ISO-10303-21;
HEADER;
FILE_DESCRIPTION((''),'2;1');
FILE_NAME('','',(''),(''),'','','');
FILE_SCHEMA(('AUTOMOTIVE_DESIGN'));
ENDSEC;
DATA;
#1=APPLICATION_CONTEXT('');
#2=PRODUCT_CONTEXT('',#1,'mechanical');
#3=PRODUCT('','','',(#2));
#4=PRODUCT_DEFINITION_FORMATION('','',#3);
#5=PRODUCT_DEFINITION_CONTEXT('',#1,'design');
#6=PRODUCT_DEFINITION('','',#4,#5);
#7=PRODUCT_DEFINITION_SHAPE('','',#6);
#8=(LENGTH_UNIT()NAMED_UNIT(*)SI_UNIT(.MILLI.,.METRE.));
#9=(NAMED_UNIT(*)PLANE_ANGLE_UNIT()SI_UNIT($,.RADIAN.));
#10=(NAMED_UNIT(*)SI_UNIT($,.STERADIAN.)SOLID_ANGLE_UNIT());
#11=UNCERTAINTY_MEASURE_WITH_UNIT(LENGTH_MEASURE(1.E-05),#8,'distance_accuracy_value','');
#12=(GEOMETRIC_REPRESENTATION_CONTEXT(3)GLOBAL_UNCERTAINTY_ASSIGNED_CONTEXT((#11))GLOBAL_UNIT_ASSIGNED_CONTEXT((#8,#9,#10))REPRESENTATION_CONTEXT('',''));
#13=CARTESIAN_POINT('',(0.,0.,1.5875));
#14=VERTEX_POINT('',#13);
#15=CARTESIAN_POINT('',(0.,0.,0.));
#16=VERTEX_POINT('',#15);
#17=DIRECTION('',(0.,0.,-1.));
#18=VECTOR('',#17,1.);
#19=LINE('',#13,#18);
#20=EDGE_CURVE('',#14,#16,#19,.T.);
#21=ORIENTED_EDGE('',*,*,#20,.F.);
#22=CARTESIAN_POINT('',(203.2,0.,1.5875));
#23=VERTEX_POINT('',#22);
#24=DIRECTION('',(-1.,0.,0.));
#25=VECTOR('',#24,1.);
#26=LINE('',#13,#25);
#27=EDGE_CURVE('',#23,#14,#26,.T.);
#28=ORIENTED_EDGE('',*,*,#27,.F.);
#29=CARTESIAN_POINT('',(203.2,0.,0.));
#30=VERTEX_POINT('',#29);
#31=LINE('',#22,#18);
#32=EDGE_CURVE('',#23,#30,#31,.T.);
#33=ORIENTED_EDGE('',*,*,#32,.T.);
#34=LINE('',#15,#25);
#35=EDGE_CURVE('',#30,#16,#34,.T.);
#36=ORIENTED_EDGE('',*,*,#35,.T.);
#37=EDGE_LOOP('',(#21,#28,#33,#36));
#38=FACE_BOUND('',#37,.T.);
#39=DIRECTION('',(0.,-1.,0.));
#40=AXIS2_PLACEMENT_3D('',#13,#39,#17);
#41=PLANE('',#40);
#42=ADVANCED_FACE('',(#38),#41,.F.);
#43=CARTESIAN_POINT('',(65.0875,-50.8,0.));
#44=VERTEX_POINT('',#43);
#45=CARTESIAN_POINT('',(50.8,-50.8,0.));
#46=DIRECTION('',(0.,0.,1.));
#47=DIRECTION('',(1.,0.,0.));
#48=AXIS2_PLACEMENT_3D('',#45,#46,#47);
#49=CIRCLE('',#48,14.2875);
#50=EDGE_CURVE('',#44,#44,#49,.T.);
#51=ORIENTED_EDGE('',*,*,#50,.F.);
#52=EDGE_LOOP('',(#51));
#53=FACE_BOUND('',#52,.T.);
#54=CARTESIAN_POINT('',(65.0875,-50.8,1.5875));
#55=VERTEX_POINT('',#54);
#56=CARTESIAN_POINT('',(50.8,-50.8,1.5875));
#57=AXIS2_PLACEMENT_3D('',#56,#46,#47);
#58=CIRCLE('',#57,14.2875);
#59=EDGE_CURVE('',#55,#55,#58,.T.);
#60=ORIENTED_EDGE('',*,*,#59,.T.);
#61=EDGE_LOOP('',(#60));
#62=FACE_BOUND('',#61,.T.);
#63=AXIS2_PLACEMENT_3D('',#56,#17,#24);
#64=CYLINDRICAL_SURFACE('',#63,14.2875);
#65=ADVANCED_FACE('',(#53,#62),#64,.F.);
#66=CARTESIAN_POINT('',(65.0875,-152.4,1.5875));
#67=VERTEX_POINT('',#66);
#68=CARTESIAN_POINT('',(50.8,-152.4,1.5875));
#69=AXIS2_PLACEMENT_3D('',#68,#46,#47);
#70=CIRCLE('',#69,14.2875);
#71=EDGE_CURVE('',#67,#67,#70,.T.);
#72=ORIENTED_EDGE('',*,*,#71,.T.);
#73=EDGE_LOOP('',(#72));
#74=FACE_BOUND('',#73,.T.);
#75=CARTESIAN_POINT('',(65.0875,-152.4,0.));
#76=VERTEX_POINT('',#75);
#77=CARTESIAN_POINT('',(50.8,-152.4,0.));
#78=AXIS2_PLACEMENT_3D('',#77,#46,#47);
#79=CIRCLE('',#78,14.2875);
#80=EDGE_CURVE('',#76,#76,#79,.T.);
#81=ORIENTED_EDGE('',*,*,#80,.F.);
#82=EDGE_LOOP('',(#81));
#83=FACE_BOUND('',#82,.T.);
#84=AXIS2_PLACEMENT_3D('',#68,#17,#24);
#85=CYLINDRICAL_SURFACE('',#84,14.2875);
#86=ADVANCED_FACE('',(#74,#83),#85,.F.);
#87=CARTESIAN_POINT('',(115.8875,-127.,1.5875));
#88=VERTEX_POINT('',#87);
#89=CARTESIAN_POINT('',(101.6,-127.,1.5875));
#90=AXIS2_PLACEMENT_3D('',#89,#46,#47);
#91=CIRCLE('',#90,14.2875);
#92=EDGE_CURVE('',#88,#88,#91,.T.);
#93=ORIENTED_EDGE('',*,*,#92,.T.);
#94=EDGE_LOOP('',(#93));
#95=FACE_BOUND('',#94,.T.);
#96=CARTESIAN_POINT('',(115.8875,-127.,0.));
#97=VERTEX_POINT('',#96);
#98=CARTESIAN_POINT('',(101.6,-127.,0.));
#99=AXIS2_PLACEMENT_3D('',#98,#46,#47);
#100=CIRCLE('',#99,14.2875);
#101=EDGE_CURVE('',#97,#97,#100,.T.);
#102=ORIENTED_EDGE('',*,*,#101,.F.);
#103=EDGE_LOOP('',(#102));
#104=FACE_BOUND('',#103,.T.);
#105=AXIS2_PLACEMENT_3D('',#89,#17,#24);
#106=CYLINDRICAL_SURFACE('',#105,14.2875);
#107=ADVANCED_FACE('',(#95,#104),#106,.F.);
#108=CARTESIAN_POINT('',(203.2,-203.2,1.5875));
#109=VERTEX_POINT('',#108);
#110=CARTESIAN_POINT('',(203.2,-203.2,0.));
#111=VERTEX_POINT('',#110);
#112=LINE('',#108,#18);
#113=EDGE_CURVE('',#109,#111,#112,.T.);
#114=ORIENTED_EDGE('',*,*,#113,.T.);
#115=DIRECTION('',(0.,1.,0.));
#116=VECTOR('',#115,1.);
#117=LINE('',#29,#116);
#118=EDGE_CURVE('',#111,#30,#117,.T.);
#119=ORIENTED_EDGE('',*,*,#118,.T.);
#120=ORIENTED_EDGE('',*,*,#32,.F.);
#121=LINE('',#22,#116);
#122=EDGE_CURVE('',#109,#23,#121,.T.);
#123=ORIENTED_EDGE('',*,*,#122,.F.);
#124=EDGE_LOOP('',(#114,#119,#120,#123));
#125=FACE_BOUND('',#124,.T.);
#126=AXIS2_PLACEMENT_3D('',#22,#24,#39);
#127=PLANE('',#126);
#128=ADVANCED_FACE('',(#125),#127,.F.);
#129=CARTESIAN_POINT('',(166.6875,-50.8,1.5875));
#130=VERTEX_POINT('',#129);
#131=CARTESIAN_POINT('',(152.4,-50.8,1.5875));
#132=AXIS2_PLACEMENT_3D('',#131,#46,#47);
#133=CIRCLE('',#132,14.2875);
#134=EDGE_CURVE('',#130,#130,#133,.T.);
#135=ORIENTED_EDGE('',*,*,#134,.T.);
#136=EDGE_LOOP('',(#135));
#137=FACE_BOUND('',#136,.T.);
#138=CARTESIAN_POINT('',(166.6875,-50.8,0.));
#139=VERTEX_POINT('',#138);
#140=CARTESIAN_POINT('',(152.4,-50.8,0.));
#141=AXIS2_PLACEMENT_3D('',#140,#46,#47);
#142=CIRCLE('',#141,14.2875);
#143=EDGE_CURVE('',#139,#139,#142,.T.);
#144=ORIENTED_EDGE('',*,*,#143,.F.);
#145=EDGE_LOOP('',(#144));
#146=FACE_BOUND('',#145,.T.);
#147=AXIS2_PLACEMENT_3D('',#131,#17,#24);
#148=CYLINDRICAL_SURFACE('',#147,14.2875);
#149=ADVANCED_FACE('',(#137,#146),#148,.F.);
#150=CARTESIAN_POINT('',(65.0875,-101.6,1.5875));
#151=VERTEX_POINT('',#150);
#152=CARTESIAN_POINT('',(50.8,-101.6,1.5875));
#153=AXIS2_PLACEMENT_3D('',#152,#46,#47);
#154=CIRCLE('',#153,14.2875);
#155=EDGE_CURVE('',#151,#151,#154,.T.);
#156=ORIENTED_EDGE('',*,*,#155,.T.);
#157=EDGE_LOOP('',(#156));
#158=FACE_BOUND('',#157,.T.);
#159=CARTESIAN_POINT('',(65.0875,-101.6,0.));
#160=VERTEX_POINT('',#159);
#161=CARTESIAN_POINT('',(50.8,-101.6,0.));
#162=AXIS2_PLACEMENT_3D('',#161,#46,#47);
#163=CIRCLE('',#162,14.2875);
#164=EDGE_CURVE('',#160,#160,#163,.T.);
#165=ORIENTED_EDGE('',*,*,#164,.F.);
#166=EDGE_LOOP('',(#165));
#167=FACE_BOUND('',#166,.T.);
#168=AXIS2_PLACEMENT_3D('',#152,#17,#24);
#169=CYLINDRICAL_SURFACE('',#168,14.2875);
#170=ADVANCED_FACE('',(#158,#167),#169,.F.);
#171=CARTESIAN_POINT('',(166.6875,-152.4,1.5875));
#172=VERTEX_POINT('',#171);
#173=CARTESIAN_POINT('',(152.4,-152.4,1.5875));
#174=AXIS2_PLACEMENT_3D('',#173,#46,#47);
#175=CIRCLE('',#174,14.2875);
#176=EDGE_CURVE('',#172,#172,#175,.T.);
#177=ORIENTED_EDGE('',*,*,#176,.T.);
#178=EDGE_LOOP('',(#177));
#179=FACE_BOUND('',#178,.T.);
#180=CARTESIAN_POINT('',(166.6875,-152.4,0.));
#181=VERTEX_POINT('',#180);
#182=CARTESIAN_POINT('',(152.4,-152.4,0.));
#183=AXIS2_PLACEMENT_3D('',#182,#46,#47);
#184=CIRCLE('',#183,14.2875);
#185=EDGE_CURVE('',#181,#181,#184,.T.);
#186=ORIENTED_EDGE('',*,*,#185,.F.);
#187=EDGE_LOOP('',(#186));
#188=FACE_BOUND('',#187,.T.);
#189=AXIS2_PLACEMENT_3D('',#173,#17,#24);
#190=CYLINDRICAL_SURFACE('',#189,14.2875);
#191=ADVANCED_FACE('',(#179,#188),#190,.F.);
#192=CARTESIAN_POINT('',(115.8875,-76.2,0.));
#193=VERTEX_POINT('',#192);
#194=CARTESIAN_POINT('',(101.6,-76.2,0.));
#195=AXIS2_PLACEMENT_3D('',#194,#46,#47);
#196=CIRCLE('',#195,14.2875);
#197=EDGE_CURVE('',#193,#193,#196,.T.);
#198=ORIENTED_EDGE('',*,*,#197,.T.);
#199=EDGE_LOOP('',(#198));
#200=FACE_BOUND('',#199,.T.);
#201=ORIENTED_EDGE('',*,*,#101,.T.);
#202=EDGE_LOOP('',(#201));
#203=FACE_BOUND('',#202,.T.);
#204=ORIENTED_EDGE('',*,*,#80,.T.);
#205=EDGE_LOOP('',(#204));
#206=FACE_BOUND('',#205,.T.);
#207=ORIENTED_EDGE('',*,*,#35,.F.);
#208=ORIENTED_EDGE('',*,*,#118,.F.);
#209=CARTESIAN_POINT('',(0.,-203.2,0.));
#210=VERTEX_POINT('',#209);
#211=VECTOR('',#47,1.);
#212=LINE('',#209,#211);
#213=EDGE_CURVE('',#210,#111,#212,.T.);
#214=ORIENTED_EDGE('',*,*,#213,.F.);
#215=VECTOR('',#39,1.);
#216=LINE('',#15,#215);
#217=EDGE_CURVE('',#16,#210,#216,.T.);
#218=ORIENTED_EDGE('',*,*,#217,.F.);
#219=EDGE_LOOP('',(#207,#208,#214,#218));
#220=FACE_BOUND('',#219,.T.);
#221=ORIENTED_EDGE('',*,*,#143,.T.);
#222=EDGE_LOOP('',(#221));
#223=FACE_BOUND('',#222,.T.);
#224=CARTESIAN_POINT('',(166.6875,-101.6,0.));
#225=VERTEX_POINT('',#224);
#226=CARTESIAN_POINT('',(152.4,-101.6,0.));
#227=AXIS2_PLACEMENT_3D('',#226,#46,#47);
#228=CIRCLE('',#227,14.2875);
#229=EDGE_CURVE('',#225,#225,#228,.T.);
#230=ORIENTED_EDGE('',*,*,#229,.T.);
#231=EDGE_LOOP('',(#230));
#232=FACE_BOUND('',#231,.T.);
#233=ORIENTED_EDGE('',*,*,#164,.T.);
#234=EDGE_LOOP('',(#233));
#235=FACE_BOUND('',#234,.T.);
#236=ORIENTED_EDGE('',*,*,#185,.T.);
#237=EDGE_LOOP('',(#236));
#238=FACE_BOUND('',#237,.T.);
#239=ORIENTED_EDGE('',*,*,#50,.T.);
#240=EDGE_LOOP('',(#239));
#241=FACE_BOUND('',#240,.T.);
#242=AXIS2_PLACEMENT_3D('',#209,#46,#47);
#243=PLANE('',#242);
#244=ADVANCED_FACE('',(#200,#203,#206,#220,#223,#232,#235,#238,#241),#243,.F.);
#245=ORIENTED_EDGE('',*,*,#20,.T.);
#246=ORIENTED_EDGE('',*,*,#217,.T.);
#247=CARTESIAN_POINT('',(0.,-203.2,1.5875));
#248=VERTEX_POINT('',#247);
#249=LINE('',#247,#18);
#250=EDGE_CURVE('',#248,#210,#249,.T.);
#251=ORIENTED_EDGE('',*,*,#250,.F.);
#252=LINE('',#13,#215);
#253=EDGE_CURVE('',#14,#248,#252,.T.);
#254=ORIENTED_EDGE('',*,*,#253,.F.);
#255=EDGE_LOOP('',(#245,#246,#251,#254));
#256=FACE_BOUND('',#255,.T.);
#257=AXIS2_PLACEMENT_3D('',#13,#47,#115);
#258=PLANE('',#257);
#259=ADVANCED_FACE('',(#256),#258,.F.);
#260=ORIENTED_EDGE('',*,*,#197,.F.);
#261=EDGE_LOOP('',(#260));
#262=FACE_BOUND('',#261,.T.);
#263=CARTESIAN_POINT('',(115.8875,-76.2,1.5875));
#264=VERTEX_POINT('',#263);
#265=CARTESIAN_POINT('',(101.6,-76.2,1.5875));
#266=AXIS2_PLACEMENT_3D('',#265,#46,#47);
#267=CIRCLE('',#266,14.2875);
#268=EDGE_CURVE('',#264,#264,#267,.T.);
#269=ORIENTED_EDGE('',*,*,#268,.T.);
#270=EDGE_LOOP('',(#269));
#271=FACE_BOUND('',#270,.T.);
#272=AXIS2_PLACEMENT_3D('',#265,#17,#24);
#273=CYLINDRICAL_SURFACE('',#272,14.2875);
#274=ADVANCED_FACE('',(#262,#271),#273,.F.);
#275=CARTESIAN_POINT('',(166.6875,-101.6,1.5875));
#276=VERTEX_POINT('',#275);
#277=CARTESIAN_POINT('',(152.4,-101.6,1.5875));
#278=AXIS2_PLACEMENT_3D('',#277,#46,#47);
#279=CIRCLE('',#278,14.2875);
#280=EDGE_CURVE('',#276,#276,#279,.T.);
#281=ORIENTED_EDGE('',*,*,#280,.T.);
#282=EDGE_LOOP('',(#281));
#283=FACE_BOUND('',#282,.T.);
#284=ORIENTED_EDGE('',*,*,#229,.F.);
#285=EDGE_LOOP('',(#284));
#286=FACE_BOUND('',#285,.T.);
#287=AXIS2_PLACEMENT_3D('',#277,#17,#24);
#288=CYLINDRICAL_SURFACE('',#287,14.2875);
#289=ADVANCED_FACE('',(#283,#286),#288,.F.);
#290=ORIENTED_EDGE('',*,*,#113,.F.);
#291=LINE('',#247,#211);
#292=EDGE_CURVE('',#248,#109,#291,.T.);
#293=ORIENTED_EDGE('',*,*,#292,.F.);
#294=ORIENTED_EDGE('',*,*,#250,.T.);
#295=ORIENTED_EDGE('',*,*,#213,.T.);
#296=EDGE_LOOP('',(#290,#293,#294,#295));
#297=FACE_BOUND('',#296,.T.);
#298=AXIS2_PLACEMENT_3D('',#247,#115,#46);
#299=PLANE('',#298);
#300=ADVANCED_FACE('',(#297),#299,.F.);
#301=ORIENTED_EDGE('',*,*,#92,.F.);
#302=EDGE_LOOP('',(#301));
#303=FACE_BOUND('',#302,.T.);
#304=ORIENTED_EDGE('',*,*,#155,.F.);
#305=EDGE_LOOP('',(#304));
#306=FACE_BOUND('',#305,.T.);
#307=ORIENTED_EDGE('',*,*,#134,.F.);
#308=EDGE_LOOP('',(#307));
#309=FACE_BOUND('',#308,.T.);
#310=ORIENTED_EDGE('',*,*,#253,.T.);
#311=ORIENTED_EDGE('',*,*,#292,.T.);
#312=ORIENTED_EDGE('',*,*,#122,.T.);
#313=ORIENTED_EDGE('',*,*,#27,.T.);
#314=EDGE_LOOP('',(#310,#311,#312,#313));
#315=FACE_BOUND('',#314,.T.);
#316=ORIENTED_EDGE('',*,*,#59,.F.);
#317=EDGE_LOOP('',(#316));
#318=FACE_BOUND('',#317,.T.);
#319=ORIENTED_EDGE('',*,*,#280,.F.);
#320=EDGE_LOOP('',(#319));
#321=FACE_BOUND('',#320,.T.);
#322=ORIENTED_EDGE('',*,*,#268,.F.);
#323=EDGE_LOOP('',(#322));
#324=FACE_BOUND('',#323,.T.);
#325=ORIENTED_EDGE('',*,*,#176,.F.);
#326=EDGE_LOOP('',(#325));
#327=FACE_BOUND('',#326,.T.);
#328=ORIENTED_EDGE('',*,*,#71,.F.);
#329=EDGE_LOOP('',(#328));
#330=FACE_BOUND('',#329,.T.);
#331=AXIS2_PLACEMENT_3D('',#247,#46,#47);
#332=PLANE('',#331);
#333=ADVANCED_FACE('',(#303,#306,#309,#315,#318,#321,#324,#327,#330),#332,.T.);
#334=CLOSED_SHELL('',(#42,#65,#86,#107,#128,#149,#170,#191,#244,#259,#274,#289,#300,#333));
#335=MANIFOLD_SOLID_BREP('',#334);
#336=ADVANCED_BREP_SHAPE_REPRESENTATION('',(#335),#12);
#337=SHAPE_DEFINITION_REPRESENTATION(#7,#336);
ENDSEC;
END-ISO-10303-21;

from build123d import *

# Parameters (mm, degrees)
SKETCH1_W           = 203.2
SKETCH1_H           = 203.2
SKETCH1_R           = 14.2875
BOSS_EXTRUDE1_DEPTH = 1.5875


with BuildPart() as part:
    # Sketch1 → Boss-Extrude1 (new body)
    with BuildSketch(Plane.XY):
        with Locations((101.6, -101.6)):
            Rectangle(SKETCH1_W, SKETCH1_H)
        with Locations((152.4, -101.6)):
            Circle(SKETCH1_R, mode=Mode.SUBTRACT)
        with Locations((152.4, -50.8)):
            Circle(SKETCH1_R, mode=Mode.SUBTRACT)
        with Locations((101.6, -76.2)):
            Circle(SKETCH1_R, mode=Mode.SUBTRACT)
        with Locations((152.4, -152.4)):
            Circle(SKETCH1_R, mode=Mode.SUBTRACT)
        with Locations((50.8, -50.8)):
            Circle(SKETCH1_R, mode=Mode.SUBTRACT)
        with Locations((50.8, -101.6)):
            Circle(SKETCH1_R, mode=Mode.SUBTRACT)
        with Locations((50.8, -152.4)):
            Circle(SKETCH1_R, mode=Mode.SUBTRACT)
        with Locations((101.6, -127)):
            Circle(SKETCH1_R, mode=Mode.SUBTRACT)
    extrude(amount=BOSS_EXTRUDE1_DEPTH)


solid = part.part
